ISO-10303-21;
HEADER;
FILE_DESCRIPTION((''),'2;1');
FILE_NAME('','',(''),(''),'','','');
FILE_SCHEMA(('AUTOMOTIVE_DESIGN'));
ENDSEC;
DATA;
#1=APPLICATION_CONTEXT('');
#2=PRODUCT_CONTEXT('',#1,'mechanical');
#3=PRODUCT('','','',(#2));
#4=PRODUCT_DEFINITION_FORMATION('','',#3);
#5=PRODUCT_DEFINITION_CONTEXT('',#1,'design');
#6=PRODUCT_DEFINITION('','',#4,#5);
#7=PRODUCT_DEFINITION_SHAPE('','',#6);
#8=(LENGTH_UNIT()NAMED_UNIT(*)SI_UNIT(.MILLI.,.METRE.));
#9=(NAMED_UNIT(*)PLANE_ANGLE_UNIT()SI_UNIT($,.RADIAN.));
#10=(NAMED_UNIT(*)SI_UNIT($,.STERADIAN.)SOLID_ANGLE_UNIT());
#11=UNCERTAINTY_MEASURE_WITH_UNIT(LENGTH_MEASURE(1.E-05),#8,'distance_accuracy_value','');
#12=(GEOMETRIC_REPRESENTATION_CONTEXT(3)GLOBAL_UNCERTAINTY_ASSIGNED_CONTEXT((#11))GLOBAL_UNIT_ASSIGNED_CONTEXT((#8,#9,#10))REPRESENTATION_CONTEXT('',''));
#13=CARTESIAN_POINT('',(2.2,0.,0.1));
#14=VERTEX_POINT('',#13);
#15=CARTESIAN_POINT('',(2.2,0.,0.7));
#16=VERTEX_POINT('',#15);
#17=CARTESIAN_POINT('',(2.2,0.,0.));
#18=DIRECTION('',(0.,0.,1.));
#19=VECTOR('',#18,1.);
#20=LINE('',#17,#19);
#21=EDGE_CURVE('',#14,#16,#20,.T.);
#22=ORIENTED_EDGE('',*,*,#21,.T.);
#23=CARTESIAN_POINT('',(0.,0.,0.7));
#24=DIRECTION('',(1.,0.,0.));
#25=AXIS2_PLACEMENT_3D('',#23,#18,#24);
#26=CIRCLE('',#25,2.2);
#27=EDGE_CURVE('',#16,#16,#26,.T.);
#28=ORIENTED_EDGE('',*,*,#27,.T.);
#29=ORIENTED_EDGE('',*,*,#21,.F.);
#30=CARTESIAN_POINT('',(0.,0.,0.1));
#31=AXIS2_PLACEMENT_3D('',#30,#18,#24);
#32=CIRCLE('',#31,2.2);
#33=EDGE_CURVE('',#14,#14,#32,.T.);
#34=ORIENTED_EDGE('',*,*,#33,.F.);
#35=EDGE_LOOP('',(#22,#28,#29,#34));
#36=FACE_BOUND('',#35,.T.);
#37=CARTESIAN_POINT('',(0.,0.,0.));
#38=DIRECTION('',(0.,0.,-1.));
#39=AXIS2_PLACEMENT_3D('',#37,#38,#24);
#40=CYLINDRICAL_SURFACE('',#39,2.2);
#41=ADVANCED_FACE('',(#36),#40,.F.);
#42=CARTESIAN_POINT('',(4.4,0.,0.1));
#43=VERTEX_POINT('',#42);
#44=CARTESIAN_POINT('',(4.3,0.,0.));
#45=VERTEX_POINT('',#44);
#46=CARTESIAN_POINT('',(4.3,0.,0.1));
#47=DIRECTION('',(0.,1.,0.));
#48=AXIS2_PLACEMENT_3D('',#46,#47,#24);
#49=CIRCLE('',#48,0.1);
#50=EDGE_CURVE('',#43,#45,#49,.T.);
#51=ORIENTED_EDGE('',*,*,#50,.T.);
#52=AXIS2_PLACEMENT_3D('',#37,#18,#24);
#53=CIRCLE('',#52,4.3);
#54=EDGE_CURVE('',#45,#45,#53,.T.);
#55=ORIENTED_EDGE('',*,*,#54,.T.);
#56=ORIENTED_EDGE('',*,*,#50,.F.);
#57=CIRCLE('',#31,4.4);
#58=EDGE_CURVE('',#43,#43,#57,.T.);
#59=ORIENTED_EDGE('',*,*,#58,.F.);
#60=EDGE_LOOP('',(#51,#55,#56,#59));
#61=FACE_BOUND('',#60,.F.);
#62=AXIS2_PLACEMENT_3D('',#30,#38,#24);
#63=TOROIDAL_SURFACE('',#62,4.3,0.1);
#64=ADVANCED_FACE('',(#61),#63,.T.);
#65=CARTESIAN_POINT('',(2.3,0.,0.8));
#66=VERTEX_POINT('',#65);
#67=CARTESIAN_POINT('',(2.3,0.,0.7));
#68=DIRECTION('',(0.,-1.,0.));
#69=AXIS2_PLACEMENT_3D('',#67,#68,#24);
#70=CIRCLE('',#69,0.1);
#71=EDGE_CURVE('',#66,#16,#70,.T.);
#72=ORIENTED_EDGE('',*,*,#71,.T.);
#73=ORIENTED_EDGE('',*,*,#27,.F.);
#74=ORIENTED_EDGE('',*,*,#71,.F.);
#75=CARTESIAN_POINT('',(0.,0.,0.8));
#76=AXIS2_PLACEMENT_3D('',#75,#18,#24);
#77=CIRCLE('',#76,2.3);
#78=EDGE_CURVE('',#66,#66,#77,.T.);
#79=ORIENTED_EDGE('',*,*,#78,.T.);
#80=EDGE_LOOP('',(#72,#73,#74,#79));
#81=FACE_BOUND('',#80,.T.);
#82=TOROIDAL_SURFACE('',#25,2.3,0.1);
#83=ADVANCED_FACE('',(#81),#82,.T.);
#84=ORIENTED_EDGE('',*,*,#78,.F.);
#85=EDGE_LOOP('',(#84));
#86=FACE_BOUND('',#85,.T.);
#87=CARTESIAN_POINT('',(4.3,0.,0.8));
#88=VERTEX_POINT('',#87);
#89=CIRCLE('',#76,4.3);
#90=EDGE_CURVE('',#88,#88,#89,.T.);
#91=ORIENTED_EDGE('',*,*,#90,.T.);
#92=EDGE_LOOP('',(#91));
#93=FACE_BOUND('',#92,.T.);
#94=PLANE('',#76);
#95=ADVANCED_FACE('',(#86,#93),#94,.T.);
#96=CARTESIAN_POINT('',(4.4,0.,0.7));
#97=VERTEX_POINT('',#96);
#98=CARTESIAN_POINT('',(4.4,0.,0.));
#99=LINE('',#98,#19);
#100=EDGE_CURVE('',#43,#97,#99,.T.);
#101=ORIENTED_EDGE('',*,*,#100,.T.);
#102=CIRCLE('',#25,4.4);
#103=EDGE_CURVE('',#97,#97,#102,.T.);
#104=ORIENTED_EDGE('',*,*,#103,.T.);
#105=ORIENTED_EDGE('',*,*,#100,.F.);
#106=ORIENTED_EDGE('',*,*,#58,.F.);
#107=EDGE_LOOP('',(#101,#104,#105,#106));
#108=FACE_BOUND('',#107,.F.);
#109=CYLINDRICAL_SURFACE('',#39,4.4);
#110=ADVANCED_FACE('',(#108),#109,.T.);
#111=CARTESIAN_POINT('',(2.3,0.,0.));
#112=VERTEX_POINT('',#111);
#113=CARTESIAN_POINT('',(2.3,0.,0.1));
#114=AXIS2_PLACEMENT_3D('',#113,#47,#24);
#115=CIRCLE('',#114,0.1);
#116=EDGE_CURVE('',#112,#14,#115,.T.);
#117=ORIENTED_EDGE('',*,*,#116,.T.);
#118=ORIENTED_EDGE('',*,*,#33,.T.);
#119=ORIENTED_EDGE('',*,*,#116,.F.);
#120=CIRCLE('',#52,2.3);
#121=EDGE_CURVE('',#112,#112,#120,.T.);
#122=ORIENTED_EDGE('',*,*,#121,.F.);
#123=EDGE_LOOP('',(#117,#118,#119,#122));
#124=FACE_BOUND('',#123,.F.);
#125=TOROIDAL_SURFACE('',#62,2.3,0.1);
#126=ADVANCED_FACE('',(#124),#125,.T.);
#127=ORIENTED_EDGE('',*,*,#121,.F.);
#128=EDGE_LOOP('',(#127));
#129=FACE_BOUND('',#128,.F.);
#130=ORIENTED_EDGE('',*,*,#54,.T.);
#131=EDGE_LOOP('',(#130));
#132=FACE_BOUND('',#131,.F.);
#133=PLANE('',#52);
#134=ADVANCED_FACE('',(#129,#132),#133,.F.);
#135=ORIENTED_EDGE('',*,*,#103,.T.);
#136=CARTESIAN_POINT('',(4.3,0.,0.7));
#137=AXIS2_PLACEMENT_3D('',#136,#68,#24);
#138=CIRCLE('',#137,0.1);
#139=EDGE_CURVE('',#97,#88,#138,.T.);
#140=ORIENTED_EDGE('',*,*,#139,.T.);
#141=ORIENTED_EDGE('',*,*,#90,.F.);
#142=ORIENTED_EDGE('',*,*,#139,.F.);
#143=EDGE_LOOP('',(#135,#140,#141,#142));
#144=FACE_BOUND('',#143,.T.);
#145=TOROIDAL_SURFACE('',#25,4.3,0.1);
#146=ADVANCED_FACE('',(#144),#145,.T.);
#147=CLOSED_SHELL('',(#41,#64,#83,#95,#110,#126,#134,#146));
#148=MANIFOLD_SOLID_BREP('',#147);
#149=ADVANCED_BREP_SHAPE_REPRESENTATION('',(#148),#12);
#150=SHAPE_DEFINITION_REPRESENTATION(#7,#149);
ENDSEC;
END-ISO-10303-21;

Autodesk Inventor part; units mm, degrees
ref_plane "YZ Plane" through (0, 0, 0) normal (1, 0, 0) x (0, 1, 0)
ref_plane "XZ Plane" through (0, 0, 0) normal (0, 1, 0) x (-1, 0, 0)
ref_plane "XY Plane" through (0, 0, 0) normal (0, 0, 1) x (1, 0, 0)
sketch "Esboço1" plane through (0, 0, 0) normal (0, 0, 1) x (1, 0, 0)
  circle A0 centre (0, 0) radius 2.2
  circle A1 centre (0, 0) radius 4.4
  dimension "d0" = 4.4
  dimension "d1" = 8.8
extrude "Extrusão1" add sketch "Esboço1" along normal blind 0.8
fillet "Arredondamento1" radius 0.1 1 edges at (-4.4, 0, 0.8)
fillet "Arredondamento2" radius 0.1 3 edges at (-2.2, 0, 0.8) (-4.4, 0, 0) (-2.2, 0, 0)
properties part number "Arruela m4" material "Aço inoxidável AISI 304"
